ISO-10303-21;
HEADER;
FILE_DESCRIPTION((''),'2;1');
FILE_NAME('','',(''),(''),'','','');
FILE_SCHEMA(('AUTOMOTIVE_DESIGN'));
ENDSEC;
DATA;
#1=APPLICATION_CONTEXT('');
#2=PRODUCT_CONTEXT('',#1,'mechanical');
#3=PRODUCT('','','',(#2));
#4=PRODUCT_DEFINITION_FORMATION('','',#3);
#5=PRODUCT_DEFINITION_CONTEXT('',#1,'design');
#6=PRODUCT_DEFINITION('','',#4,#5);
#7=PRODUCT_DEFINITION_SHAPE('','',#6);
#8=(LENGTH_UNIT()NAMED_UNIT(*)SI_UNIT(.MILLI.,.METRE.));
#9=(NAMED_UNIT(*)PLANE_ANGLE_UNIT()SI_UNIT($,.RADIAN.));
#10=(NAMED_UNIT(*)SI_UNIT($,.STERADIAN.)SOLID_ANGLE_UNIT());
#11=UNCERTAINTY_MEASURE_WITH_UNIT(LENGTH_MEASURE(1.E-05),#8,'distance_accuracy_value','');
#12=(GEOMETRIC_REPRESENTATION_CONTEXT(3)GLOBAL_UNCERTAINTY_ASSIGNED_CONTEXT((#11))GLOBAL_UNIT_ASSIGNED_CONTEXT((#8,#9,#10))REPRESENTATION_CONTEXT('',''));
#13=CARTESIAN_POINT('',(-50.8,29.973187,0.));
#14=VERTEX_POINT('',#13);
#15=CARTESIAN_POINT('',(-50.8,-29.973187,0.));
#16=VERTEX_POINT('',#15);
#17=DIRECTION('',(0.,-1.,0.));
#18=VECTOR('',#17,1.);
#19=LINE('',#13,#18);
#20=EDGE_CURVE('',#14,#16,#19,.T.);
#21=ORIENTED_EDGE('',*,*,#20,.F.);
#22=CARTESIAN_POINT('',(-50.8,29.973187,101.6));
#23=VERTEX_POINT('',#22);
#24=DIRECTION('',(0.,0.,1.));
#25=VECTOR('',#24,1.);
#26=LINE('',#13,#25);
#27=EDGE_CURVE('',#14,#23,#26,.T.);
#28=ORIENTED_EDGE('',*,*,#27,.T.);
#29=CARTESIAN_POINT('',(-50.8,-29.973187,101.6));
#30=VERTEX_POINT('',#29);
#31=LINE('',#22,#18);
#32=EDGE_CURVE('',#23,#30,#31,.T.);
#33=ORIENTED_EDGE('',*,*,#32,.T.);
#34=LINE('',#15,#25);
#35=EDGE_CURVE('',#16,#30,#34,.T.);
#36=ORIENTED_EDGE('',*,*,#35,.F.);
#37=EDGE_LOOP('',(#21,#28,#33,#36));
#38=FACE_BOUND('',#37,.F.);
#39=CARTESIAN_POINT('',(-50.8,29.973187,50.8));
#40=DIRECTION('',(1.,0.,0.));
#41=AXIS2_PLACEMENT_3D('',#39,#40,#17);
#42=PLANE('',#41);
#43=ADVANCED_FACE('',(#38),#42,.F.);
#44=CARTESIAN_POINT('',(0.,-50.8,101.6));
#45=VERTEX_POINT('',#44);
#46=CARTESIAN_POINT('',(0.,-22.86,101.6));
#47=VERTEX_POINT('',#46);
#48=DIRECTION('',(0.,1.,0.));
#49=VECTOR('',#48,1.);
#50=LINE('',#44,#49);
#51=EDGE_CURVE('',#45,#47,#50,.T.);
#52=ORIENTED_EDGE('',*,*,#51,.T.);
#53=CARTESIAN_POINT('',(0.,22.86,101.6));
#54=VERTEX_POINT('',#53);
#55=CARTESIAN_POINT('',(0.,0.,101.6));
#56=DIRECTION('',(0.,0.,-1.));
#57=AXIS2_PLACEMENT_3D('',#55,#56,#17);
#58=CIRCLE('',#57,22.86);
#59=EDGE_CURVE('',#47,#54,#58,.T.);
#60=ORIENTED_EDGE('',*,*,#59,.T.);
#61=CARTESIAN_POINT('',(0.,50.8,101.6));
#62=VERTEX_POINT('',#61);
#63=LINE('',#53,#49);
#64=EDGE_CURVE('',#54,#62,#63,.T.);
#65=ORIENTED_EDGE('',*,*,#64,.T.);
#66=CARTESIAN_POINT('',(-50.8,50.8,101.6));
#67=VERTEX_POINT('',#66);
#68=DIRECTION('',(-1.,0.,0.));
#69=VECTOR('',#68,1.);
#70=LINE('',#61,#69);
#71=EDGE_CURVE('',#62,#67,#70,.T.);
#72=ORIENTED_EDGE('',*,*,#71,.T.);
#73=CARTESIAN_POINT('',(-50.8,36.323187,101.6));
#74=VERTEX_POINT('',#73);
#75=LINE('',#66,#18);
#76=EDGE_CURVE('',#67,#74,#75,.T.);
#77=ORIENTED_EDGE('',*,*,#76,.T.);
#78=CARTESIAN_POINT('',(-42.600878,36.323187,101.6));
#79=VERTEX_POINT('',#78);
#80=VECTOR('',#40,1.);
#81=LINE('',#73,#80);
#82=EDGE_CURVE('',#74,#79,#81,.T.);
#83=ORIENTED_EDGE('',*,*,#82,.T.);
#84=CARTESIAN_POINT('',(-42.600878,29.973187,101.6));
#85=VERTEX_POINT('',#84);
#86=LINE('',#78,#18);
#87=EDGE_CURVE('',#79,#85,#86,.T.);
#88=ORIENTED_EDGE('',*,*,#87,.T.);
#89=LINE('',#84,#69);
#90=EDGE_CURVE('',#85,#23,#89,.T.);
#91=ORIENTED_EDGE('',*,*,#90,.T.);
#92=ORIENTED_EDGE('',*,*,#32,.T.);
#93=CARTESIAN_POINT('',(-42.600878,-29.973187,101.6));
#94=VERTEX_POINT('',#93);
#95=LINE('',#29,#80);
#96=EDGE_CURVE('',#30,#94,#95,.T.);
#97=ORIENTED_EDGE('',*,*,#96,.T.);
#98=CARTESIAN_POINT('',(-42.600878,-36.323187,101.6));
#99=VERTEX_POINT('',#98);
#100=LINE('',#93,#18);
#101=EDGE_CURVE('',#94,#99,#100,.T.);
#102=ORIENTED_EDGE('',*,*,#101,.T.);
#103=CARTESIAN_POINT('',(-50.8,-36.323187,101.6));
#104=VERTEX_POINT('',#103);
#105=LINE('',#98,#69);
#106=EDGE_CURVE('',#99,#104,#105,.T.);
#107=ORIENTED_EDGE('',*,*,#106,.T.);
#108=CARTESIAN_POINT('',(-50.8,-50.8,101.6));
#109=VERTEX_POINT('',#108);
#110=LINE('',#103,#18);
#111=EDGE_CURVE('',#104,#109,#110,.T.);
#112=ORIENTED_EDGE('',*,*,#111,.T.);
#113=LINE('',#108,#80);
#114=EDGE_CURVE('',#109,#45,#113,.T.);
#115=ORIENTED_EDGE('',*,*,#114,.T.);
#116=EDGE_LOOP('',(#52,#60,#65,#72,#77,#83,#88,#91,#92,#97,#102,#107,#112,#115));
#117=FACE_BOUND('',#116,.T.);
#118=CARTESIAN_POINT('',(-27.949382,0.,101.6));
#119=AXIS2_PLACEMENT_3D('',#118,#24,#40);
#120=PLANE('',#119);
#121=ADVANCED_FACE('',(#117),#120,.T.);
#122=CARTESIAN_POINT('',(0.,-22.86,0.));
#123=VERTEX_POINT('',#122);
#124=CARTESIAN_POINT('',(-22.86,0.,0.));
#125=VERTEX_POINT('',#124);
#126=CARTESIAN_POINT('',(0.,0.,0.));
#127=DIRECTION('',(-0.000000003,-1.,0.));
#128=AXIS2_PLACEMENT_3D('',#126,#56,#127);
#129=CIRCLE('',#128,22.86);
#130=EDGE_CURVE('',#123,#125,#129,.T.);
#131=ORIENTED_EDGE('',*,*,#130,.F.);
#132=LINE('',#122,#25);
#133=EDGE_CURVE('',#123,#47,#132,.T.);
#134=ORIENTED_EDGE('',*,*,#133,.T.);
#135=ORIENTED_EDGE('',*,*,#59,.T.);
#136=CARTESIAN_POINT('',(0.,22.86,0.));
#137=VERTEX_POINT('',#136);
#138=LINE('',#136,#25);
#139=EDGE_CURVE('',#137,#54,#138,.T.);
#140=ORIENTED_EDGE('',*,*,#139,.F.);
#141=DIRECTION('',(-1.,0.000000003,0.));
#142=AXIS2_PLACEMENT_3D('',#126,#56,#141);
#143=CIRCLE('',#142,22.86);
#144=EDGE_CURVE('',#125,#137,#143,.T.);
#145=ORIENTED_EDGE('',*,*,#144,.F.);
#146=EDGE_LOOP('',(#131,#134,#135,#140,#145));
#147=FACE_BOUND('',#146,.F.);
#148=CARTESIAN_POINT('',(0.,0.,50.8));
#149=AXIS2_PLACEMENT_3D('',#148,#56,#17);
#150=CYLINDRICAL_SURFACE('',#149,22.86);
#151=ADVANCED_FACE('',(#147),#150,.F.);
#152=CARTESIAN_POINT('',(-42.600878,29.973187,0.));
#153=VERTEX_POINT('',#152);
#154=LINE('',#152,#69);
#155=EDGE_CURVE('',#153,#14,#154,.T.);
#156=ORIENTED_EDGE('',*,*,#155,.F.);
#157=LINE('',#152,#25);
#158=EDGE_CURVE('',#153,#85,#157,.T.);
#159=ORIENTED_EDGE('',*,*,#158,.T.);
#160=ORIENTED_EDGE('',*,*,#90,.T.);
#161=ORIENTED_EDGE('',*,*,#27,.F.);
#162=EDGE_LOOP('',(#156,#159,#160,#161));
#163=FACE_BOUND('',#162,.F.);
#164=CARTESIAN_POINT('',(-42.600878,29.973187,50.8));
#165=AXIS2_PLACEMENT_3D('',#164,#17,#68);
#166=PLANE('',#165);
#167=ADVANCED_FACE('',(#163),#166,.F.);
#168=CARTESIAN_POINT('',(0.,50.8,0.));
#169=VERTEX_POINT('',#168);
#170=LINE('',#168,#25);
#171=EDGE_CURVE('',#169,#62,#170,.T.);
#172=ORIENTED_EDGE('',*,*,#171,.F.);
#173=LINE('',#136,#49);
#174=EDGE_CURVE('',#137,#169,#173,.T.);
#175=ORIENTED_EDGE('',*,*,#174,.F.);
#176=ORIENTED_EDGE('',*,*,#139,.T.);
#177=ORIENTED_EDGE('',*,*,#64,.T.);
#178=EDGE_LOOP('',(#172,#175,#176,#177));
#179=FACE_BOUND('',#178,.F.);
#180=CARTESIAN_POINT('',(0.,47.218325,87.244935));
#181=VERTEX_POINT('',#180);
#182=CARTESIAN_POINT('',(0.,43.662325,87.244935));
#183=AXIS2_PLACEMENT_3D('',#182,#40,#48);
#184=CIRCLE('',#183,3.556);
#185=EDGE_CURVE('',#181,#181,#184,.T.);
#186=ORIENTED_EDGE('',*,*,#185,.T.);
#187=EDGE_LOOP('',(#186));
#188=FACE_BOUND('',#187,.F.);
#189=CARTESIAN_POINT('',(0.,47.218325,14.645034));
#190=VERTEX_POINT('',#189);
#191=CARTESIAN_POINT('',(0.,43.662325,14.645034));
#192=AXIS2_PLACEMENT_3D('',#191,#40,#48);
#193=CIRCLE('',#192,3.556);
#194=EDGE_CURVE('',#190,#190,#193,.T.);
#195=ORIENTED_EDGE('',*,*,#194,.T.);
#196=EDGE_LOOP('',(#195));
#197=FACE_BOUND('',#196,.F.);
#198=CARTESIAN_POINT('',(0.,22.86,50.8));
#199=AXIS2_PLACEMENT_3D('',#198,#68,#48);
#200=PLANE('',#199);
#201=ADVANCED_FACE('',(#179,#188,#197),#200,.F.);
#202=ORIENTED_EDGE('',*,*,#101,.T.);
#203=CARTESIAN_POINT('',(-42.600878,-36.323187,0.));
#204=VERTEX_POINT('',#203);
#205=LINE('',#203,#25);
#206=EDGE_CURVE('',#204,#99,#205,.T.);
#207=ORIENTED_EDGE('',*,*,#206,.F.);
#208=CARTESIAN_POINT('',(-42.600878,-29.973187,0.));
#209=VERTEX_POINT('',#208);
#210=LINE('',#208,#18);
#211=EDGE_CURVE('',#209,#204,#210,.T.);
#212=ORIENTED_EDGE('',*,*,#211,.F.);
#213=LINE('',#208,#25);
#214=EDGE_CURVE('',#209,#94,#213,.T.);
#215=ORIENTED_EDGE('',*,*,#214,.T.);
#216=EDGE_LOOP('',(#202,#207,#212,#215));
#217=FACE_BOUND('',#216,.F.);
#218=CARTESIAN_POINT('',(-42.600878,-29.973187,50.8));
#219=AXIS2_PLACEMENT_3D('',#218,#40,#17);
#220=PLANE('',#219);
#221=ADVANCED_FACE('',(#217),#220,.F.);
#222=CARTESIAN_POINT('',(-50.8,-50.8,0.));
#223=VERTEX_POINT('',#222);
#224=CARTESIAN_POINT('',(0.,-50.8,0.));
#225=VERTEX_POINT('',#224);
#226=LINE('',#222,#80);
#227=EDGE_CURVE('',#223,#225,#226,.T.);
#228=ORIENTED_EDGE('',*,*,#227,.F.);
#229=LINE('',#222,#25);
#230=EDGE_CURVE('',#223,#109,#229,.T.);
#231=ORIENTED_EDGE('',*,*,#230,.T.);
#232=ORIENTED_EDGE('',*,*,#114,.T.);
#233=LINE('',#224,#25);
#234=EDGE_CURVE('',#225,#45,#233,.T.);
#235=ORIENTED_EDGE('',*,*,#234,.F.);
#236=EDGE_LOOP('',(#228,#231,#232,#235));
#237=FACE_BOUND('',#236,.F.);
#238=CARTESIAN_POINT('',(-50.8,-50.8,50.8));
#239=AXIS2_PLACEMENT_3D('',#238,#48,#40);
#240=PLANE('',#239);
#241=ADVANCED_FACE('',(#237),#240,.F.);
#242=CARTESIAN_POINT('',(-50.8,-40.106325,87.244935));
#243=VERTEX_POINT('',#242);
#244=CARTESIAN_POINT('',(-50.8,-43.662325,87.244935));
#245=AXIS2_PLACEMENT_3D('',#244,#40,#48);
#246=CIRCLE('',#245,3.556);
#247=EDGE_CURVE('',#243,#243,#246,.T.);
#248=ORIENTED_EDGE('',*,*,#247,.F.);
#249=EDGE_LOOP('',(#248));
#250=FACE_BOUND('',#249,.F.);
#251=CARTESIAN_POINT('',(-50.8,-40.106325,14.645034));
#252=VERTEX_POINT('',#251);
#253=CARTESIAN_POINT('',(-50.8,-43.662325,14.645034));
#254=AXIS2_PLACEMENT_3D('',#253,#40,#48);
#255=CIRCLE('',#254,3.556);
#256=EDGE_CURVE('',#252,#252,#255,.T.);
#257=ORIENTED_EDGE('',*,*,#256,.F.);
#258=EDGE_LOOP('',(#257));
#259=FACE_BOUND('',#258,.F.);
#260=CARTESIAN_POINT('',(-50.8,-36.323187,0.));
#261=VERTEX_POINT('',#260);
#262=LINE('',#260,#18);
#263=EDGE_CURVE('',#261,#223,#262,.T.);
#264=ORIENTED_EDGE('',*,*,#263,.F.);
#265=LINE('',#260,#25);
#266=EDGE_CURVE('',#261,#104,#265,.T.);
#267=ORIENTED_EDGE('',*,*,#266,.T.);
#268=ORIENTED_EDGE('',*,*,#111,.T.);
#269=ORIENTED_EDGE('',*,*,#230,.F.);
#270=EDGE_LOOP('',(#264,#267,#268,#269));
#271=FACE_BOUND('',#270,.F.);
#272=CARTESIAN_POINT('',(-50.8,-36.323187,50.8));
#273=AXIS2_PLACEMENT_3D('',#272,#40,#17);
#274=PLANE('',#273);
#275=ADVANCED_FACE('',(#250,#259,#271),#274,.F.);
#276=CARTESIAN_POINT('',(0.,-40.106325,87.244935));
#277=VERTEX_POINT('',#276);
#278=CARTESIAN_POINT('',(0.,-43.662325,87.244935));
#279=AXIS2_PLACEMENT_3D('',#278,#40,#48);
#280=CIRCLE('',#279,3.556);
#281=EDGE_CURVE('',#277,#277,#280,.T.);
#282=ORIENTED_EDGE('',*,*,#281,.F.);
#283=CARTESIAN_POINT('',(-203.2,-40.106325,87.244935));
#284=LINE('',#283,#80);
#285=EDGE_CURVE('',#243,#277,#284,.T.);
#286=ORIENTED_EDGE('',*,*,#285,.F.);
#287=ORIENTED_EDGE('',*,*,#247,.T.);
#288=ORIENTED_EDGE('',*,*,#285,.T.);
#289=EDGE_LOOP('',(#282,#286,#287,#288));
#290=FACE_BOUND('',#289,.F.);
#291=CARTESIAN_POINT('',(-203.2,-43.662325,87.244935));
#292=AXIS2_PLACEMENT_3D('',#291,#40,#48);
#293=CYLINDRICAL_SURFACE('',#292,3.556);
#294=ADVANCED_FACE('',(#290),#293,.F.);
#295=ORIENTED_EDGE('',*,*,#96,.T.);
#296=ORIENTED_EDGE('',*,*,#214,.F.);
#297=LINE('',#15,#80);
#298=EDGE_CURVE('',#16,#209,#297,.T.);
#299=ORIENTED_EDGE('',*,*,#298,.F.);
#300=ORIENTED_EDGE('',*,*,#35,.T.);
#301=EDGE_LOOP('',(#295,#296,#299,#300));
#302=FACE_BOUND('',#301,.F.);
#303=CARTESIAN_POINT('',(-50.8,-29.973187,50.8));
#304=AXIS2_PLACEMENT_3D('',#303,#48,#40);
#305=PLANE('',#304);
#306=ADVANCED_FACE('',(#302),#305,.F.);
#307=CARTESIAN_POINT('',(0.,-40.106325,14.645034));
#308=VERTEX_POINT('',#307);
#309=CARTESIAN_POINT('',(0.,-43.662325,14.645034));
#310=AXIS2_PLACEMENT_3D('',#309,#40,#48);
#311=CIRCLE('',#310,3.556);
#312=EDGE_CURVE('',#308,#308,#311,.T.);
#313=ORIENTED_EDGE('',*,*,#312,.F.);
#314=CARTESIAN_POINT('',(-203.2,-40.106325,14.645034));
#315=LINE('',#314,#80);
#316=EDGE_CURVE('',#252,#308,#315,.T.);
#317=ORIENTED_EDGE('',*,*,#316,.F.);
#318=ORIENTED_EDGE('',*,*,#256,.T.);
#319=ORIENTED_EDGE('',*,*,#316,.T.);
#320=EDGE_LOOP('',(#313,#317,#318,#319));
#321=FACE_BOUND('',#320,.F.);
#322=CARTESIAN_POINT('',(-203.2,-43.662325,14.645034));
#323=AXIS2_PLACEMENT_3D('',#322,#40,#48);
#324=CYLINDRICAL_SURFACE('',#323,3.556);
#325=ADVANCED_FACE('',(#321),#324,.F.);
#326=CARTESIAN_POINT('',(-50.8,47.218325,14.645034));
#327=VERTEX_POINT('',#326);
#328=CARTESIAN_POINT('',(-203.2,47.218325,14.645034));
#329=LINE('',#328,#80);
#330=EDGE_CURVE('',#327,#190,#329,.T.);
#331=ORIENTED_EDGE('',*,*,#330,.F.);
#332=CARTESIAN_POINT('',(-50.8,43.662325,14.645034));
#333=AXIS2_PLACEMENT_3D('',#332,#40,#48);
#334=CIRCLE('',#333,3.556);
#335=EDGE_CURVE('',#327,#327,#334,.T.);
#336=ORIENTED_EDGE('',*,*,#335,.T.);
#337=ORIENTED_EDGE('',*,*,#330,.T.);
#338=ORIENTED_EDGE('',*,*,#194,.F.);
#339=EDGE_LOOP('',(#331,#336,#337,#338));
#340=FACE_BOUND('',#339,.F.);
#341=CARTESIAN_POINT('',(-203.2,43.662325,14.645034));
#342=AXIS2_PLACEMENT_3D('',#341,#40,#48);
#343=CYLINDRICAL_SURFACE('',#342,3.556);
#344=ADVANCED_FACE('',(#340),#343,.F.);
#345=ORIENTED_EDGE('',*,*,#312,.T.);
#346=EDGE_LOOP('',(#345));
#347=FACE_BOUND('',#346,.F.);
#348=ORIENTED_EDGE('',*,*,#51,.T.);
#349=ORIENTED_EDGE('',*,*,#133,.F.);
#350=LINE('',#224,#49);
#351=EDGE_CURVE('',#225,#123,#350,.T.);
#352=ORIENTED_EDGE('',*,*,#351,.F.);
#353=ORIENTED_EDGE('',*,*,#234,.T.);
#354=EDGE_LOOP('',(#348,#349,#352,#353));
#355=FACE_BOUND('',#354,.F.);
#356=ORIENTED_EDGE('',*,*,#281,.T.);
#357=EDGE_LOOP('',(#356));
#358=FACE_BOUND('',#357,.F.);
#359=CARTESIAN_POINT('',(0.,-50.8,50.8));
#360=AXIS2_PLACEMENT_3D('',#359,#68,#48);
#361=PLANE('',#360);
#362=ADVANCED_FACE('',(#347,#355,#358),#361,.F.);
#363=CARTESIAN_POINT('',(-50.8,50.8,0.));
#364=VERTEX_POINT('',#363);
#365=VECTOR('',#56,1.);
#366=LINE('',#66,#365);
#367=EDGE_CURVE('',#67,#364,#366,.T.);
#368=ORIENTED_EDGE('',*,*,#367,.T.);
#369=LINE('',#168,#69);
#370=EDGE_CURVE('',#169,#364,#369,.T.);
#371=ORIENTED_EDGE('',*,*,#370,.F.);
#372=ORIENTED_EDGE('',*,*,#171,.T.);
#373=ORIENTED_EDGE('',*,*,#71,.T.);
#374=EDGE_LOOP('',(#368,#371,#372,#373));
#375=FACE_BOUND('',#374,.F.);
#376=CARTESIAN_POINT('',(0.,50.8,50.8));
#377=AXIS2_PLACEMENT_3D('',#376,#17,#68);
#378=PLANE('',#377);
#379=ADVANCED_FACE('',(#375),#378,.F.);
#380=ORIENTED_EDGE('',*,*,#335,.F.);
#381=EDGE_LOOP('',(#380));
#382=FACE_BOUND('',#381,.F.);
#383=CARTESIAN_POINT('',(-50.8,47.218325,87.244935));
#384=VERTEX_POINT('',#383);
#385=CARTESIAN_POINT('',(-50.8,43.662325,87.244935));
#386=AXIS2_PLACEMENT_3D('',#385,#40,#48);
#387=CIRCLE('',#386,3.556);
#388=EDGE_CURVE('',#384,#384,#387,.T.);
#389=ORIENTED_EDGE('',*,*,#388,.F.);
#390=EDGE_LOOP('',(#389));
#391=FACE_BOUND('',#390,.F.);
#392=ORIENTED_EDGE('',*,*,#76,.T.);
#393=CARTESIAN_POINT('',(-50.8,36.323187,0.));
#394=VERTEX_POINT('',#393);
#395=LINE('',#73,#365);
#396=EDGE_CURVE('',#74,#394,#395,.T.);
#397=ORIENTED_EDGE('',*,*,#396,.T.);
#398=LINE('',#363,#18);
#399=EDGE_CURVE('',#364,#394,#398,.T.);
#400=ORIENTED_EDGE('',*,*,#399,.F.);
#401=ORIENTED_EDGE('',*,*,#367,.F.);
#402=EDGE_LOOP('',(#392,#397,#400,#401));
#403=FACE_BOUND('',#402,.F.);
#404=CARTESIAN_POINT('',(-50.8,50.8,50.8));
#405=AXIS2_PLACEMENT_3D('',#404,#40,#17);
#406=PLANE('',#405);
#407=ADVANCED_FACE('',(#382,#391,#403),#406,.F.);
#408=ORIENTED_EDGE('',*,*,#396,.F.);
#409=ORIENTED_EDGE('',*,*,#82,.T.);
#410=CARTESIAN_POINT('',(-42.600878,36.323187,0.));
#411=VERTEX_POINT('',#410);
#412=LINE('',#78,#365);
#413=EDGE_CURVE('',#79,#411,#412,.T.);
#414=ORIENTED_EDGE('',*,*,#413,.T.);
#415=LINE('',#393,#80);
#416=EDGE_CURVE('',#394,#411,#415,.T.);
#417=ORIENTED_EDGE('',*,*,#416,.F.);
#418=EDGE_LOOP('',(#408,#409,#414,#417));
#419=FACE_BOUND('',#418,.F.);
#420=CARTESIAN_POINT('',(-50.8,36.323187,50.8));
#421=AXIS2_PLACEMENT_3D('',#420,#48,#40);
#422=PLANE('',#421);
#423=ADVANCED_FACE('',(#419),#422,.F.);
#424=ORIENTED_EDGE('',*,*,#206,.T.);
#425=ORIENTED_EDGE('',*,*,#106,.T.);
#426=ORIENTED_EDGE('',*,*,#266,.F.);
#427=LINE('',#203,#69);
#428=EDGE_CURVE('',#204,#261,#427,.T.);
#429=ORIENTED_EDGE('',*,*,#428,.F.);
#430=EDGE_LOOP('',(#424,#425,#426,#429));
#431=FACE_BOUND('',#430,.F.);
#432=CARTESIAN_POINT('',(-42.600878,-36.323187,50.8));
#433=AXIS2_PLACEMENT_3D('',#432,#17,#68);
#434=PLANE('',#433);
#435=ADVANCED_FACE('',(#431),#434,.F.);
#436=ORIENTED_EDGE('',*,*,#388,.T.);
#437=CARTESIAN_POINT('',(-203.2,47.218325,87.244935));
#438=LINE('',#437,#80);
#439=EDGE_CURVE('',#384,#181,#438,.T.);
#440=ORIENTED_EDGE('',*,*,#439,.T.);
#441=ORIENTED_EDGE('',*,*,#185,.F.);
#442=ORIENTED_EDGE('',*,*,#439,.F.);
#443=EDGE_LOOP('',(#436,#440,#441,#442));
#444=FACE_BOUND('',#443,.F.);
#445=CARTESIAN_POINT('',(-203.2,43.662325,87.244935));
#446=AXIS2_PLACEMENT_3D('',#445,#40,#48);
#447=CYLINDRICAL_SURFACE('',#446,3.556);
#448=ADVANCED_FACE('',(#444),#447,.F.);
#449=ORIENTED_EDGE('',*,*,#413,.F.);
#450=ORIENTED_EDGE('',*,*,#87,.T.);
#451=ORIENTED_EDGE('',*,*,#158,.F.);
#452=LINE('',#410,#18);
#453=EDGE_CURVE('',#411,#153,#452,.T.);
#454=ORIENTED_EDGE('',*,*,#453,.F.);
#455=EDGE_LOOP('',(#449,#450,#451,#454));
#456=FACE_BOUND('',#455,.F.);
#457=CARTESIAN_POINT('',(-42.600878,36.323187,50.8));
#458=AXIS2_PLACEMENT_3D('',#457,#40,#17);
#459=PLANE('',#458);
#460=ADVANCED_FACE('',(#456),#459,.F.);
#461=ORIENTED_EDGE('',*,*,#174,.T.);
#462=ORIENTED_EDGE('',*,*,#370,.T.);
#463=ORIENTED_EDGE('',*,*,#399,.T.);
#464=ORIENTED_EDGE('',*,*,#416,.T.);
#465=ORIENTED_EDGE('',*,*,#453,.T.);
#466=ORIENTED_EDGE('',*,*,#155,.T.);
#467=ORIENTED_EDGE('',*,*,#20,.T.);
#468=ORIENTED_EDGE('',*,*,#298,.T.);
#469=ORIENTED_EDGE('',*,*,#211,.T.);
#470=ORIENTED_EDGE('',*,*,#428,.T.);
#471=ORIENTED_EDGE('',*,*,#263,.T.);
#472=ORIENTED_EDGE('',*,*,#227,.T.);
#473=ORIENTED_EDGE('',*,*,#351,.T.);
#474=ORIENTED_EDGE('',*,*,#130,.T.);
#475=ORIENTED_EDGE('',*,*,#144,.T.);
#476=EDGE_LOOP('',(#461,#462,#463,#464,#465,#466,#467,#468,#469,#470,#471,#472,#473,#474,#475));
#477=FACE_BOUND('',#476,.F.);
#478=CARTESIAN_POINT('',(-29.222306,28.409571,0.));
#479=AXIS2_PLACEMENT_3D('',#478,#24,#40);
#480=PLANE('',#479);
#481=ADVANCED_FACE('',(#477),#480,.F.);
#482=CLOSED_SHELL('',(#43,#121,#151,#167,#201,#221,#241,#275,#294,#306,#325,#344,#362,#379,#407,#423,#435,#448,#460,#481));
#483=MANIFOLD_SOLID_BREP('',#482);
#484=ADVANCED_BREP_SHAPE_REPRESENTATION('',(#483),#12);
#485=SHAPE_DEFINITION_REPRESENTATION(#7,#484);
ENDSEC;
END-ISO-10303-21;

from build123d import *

# Parameters (mm, degrees)
F1_DEPTH = 50.8
F2_DEPTH = 50.8
F4_D     = 7.112


with BuildPart() as f1:
    # F0 (on Top) → F1 (new body)
    with BuildSketch(Plane.XY):
        with BuildLine():
            Line((-50.8, 0), (-22.86, 0))
            ThreePointArc((-22.86, 0), (-16.164461, 16.164461), (0, 22.86))
            Line((0, 22.86), (0, 50.8))
            Line((0, 50.8), (-50.8, 50.8))
            Line((-50.8, 50.8), (-50.8, 36.323187))
            Line((-50.8, 36.323187), (-42.600878, 36.323187))
            Line((-42.600878, 36.323187), (-42.600878, 29.973187))
            Line((-42.600878, 29.973187), (-50.8, 29.973187))
            Line((-50.8, 29.973187), (-50.8, 0))
        make_face()
        with BuildLine():
            ThreePointArc((0, -22.86), (-16.164461, -16.164461), (-22.86, 0))
            Line((-22.86, 0), (-50.8, 0))
            Line((-50.8, 0), (-50.8, -29.973187))
            Line((-50.8, -29.973187), (-42.600878, -29.973187))
            Line((-42.600878, -29.973187), (-42.600878, -36.323187))
            Line((-42.600878, -36.323187), (-50.8, -36.323187))
            Line((-50.8, -36.323187), (-50.8, -50.8))
            Line((-50.8, -50.8), (0, -50.8))
            Line((0, -50.8), (0, -22.86))
        make_face()
    extrude(amount=F1_DEPTH)

    # F1_face (on face) → F2 (join)
    with BuildSketch(Plane(origin=(-27.91822, 0, 50.8), x_dir=(1, 0, 0), z_dir=(0, 0, 1))):
        with BuildLine():
            Line((-14.682658, 36.323187), (-14.682658, 29.973187))
            Line((-14.682658, 29.973187), (-22.88178, 29.973187))
            Line((-22.88178, 29.973187), (-22.88178, -29.973187))
            Line((-22.88178, -29.973187), (-14.682658, -29.973187))
            Line((-14.682658, -29.973187), (-14.682658, -36.323187))
            Line((-14.682658, -36.323187), (-22.88178, -36.323187))
            Line((-22.88178, -36.323187), (-22.88178, -50.8))
            Line((-22.88178, -50.8), (27.91822, -50.8))
            Line((27.91822, -50.8), (27.91822, -22.86))
            ThreePointArc((27.91822, -22.86), (5.05822, 0), (27.91822, 22.86))
            Line((27.91822, 22.86), (27.91822, 50.8))
            Line((27.91822, 50.8), (-22.88178, 50.8))
            Line((-22.88178, 50.8), (-22.88178, 36.323187))
            Line((-22.88178, 36.323187), (-14.682658, 36.323187))
        make_face()
    extrude(amount=F2_DEPTH)

    # F4 (through all)
    with Locations(Plane(origin=(-50.8, 0, 0), x_dir=(0, -1, 0), z_dir=(-1, 0, 0))):
        with Locations((-43.662325, 87.244935), (43.662325, 87.244935), (43.662325, 14.645034), (-43.662325, 14.645034)):
            Hole(F4_D / 2)


solid = f1.part
